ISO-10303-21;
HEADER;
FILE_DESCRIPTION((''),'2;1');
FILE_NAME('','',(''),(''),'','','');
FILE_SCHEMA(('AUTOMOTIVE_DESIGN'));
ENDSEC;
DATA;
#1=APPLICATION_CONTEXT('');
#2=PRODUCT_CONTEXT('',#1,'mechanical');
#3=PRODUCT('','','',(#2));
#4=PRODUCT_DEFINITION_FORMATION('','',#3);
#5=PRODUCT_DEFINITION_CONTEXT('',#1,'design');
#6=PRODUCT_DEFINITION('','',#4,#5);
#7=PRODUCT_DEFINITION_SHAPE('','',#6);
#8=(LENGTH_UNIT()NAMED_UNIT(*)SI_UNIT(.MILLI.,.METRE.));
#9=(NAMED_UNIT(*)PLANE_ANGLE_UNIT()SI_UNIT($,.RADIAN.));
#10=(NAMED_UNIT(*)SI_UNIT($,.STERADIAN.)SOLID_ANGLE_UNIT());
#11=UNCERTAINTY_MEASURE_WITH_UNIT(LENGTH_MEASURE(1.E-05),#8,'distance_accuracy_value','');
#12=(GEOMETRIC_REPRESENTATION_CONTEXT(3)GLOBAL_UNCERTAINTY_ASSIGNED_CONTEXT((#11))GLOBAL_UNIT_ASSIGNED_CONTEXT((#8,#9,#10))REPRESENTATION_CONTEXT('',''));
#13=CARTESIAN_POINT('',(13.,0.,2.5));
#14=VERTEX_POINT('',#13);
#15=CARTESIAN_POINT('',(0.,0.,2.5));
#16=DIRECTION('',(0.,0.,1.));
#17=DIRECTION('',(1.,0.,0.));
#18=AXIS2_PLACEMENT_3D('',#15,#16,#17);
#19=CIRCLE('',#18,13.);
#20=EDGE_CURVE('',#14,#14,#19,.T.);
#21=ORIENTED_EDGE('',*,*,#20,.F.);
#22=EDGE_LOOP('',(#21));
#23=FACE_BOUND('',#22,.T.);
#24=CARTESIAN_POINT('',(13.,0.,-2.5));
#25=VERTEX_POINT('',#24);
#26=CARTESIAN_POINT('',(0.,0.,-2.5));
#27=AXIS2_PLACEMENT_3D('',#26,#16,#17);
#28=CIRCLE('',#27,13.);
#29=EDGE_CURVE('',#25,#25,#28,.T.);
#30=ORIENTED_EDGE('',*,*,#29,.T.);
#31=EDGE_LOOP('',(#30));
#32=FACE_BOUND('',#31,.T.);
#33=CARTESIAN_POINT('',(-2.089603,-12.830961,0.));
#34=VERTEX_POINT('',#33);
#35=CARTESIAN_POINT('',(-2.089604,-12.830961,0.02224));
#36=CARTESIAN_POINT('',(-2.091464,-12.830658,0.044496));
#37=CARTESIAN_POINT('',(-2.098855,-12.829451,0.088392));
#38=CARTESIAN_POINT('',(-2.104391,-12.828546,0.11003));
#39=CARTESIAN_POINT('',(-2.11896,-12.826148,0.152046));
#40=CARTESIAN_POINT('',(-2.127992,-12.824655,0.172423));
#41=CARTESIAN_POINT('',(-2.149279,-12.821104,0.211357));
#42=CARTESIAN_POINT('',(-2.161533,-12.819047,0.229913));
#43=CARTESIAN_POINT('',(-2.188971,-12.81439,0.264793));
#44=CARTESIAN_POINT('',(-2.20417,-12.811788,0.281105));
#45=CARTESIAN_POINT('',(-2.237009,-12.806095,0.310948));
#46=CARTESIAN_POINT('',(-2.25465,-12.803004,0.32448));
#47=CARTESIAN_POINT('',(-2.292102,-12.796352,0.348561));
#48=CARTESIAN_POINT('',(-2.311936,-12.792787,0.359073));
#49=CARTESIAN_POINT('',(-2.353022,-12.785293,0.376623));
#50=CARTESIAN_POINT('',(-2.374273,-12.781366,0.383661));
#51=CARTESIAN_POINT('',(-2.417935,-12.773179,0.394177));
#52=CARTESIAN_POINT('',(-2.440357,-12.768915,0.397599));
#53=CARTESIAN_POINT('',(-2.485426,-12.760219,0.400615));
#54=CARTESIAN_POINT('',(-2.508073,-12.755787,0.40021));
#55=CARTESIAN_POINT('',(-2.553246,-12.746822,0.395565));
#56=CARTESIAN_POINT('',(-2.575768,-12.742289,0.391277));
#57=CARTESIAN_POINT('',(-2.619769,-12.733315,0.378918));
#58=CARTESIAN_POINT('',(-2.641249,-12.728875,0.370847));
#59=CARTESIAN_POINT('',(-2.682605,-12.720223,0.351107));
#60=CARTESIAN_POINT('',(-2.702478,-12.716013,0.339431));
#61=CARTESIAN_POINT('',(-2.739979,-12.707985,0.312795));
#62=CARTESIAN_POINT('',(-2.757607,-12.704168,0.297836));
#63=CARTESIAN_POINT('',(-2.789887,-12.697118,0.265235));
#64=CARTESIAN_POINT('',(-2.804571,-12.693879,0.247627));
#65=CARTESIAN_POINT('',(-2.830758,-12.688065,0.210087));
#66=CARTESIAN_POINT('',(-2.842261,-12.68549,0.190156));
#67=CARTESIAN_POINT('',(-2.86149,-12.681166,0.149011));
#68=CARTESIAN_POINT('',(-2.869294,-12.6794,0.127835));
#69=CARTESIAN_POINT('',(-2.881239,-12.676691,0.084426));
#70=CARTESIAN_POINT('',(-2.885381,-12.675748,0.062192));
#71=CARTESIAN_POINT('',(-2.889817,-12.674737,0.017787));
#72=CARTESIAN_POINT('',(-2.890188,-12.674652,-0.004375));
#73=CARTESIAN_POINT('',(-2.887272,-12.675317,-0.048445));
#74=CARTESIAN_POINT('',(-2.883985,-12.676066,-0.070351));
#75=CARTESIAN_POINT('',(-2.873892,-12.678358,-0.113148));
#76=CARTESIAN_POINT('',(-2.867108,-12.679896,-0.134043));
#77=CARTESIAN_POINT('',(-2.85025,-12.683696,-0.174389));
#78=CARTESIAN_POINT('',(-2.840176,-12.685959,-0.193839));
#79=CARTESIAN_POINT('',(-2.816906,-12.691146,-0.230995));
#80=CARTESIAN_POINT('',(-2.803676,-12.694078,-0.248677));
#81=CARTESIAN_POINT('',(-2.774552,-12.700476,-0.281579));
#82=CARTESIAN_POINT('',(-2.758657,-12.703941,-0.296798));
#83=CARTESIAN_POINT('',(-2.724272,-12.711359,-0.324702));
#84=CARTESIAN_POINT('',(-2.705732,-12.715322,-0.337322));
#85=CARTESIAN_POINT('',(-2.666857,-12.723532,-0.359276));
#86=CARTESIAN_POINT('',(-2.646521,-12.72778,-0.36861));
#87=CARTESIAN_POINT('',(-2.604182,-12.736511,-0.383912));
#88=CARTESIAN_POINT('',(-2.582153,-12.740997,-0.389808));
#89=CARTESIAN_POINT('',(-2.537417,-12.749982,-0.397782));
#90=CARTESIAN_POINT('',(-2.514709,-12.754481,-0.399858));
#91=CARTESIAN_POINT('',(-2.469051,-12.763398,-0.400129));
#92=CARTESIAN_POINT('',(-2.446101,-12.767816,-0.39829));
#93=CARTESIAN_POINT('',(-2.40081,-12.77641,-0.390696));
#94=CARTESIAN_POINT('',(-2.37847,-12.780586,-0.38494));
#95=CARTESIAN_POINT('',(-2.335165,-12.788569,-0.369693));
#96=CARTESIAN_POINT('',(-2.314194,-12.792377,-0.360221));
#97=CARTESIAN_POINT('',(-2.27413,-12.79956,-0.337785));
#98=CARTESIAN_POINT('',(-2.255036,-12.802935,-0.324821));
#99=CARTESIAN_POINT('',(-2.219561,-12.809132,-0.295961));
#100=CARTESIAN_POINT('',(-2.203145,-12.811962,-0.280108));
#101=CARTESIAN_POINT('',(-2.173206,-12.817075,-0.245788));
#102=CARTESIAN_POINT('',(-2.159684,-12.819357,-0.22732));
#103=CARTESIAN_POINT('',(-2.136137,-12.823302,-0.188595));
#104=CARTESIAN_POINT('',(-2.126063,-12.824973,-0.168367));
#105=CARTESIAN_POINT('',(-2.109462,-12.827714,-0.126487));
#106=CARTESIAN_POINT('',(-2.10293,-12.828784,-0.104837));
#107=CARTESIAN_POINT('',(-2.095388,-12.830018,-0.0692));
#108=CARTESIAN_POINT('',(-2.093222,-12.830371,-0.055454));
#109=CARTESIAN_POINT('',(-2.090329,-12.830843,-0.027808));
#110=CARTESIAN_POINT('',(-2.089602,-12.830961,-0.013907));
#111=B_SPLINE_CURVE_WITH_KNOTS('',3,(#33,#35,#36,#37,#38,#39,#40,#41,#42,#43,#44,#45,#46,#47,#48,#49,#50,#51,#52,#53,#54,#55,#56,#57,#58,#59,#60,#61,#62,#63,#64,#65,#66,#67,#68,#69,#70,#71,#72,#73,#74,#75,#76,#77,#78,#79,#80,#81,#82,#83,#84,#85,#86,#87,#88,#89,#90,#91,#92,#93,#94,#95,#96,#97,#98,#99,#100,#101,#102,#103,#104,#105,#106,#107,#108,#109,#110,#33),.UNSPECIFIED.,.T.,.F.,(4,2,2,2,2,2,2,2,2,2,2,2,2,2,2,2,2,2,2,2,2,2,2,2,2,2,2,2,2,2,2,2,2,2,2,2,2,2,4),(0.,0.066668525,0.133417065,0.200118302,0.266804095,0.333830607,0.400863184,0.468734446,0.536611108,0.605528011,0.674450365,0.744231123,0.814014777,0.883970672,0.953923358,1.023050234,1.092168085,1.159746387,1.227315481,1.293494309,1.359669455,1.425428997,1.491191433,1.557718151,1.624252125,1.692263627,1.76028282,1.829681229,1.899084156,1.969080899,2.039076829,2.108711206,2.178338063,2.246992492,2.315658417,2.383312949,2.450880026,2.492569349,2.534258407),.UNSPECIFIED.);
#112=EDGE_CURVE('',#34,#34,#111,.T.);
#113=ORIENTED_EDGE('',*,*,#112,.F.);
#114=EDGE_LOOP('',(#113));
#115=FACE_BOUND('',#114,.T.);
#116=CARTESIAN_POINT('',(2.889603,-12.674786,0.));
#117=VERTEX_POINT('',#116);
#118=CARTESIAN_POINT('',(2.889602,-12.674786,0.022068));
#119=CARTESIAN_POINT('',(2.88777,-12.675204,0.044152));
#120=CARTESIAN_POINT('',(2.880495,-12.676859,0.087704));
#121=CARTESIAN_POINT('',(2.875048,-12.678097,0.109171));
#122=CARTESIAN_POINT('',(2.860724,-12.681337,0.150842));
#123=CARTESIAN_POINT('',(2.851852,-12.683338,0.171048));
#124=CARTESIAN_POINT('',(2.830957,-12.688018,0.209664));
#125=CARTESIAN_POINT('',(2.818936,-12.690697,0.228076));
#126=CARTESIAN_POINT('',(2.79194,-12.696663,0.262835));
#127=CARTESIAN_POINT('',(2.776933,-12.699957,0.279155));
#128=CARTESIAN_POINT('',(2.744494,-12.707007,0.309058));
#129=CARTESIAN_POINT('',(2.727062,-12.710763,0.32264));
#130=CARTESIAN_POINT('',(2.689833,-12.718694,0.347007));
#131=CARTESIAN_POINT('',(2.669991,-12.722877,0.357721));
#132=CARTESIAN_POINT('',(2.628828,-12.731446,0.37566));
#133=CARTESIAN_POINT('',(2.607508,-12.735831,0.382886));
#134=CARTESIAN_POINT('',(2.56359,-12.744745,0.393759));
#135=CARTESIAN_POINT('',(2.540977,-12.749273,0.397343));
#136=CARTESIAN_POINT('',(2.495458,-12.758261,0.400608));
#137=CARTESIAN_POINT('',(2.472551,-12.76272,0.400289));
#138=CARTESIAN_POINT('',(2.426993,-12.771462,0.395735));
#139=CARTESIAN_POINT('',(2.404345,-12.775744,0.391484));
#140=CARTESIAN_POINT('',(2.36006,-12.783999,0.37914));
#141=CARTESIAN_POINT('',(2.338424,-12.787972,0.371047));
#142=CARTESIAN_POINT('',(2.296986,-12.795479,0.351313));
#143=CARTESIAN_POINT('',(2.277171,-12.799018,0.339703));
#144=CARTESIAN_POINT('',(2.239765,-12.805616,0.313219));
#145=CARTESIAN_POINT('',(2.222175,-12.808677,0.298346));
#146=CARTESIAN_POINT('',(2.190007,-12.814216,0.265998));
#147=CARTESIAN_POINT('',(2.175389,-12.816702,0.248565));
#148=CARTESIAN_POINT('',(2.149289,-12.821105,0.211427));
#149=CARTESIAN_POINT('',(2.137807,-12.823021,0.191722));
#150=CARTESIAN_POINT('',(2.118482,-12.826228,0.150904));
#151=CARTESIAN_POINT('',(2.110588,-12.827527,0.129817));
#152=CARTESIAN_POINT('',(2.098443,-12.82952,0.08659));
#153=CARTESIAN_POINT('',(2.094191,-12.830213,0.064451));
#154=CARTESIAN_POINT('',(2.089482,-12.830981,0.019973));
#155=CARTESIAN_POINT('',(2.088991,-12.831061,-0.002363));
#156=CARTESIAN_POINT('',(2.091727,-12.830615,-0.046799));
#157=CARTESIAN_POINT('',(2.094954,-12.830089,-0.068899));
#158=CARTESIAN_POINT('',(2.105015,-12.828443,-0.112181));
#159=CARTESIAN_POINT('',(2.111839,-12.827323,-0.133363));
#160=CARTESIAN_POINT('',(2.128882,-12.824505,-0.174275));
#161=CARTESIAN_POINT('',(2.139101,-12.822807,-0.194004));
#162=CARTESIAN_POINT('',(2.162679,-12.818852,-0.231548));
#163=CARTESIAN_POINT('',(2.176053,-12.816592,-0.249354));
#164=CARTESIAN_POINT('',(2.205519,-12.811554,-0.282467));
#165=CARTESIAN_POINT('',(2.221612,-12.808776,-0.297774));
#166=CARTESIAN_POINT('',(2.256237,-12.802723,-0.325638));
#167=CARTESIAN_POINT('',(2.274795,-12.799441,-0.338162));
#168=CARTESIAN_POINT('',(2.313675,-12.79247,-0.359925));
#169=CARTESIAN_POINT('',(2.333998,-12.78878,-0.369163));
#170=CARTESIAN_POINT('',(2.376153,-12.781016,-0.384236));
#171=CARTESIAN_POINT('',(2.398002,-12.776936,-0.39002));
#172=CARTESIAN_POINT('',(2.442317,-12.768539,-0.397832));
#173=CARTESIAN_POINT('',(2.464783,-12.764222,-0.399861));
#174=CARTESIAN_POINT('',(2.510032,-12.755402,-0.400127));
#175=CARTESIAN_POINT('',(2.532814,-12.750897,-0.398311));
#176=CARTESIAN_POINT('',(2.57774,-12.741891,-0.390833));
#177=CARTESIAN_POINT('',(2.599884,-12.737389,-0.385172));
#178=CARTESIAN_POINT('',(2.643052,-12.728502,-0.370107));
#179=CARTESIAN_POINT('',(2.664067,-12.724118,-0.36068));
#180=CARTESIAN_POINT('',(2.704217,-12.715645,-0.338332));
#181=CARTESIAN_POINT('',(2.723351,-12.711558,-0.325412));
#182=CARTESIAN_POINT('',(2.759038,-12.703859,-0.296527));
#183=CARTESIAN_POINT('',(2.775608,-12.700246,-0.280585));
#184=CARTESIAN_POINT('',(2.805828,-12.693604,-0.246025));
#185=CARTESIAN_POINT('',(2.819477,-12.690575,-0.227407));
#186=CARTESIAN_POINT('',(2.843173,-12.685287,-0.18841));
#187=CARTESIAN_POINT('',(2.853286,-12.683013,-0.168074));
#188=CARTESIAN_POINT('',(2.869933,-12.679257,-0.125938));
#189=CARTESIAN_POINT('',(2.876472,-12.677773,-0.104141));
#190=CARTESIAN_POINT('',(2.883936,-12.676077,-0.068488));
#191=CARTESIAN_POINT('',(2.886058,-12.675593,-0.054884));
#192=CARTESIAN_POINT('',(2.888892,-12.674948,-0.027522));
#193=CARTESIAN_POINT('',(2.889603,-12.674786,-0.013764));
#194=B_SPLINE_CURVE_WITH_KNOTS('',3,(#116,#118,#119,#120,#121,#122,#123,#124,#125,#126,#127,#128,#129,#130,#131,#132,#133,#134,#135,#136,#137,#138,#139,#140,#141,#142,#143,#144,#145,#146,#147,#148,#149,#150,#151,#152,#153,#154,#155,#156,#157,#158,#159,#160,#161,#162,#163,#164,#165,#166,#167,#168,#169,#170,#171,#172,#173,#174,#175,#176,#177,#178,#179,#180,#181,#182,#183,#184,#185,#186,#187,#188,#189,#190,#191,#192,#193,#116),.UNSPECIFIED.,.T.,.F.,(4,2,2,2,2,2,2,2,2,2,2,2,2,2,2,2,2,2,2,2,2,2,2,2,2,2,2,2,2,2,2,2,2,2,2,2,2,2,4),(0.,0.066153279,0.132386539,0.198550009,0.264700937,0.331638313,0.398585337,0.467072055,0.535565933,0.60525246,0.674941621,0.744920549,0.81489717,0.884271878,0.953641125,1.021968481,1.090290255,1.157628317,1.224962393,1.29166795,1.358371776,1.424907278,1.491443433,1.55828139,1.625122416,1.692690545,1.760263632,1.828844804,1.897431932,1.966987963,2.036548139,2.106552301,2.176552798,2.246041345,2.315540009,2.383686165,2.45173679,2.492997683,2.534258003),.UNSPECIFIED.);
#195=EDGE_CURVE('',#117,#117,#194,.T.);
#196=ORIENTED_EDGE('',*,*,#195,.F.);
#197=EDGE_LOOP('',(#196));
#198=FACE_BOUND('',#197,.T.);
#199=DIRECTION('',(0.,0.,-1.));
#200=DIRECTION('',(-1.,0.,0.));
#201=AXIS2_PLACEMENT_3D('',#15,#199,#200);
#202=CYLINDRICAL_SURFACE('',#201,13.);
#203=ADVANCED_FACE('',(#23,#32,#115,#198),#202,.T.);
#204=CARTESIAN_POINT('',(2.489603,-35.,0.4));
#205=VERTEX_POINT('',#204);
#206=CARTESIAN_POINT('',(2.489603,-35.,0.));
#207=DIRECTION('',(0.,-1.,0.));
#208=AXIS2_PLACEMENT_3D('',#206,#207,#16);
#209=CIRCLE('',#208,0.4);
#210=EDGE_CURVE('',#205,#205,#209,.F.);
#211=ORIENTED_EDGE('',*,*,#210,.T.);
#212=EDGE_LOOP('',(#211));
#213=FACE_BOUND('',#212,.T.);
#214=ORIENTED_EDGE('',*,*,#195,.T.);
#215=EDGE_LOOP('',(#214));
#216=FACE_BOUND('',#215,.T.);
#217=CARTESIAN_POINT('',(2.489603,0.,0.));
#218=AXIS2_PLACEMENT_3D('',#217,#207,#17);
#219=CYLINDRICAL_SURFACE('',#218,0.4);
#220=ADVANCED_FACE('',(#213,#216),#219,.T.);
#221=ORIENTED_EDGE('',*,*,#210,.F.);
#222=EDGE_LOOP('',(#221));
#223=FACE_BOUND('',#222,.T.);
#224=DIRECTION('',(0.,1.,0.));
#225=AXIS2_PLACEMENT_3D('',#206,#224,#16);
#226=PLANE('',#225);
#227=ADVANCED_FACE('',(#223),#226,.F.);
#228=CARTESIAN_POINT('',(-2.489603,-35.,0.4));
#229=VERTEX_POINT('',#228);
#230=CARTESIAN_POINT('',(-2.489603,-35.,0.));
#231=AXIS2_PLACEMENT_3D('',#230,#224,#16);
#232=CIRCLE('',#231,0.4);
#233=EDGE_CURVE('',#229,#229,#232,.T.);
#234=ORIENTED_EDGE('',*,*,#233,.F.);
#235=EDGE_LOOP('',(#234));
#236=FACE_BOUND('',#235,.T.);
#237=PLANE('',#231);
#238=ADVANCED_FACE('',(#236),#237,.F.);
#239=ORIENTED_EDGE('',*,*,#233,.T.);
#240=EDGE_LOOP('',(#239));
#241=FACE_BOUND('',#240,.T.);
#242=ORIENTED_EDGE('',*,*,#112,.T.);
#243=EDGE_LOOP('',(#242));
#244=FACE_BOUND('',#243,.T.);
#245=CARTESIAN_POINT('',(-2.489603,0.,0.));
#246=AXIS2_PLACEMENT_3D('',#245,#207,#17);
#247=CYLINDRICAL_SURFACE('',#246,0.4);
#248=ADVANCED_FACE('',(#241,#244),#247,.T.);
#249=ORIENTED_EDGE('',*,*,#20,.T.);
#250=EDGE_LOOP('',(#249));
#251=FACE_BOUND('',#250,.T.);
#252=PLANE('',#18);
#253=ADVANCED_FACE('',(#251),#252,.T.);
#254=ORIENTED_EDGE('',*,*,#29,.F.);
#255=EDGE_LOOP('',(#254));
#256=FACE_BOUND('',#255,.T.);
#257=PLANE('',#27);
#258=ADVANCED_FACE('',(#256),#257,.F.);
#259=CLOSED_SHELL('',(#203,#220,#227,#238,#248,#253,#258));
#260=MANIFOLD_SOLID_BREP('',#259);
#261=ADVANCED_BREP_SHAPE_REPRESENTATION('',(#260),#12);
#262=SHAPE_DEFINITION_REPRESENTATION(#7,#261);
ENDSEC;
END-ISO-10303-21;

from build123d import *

# Parameters (mm, degrees)
SKETCH1_R           = 13
BOSS_EXTRUDE1_DEPTH = 2.5
SKETCH3_R           = 0.4


with BuildPart() as part:
    # Sketch1 → Boss-Extrude1 (new, symmetric)
    with BuildSketch(Plane.XY):
        Circle(SKETCH1_R)
    extrude(amount=BOSS_EXTRUDE1_DEPTH, both=True)

    # Sweep1: sweep along a path in Sketch2
    with BuildLine(Plane.XY) as sweep1_path:
        Line((-2.5, 0), (-2.5, -35))
    # Sketch3 → Sweep1 (sweep)
    with BuildSketch(Plane(origin=(0, 0, 0), x_dir=(1, 0, 0), z_dir=(0, 1, 0))):
        with Locations((-2.489602721, 0)):
            Circle(SKETCH3_R)
    sweep1 = sweep(path=sweep1_path.line)

    # Mirror1: Sweep1 across plane
    add(sweep1.mirror(Plane(origin=(0, 0, 0), x_dir=(0, 0, 1), z_dir=(1, 0, 0))))


solid = part.part
